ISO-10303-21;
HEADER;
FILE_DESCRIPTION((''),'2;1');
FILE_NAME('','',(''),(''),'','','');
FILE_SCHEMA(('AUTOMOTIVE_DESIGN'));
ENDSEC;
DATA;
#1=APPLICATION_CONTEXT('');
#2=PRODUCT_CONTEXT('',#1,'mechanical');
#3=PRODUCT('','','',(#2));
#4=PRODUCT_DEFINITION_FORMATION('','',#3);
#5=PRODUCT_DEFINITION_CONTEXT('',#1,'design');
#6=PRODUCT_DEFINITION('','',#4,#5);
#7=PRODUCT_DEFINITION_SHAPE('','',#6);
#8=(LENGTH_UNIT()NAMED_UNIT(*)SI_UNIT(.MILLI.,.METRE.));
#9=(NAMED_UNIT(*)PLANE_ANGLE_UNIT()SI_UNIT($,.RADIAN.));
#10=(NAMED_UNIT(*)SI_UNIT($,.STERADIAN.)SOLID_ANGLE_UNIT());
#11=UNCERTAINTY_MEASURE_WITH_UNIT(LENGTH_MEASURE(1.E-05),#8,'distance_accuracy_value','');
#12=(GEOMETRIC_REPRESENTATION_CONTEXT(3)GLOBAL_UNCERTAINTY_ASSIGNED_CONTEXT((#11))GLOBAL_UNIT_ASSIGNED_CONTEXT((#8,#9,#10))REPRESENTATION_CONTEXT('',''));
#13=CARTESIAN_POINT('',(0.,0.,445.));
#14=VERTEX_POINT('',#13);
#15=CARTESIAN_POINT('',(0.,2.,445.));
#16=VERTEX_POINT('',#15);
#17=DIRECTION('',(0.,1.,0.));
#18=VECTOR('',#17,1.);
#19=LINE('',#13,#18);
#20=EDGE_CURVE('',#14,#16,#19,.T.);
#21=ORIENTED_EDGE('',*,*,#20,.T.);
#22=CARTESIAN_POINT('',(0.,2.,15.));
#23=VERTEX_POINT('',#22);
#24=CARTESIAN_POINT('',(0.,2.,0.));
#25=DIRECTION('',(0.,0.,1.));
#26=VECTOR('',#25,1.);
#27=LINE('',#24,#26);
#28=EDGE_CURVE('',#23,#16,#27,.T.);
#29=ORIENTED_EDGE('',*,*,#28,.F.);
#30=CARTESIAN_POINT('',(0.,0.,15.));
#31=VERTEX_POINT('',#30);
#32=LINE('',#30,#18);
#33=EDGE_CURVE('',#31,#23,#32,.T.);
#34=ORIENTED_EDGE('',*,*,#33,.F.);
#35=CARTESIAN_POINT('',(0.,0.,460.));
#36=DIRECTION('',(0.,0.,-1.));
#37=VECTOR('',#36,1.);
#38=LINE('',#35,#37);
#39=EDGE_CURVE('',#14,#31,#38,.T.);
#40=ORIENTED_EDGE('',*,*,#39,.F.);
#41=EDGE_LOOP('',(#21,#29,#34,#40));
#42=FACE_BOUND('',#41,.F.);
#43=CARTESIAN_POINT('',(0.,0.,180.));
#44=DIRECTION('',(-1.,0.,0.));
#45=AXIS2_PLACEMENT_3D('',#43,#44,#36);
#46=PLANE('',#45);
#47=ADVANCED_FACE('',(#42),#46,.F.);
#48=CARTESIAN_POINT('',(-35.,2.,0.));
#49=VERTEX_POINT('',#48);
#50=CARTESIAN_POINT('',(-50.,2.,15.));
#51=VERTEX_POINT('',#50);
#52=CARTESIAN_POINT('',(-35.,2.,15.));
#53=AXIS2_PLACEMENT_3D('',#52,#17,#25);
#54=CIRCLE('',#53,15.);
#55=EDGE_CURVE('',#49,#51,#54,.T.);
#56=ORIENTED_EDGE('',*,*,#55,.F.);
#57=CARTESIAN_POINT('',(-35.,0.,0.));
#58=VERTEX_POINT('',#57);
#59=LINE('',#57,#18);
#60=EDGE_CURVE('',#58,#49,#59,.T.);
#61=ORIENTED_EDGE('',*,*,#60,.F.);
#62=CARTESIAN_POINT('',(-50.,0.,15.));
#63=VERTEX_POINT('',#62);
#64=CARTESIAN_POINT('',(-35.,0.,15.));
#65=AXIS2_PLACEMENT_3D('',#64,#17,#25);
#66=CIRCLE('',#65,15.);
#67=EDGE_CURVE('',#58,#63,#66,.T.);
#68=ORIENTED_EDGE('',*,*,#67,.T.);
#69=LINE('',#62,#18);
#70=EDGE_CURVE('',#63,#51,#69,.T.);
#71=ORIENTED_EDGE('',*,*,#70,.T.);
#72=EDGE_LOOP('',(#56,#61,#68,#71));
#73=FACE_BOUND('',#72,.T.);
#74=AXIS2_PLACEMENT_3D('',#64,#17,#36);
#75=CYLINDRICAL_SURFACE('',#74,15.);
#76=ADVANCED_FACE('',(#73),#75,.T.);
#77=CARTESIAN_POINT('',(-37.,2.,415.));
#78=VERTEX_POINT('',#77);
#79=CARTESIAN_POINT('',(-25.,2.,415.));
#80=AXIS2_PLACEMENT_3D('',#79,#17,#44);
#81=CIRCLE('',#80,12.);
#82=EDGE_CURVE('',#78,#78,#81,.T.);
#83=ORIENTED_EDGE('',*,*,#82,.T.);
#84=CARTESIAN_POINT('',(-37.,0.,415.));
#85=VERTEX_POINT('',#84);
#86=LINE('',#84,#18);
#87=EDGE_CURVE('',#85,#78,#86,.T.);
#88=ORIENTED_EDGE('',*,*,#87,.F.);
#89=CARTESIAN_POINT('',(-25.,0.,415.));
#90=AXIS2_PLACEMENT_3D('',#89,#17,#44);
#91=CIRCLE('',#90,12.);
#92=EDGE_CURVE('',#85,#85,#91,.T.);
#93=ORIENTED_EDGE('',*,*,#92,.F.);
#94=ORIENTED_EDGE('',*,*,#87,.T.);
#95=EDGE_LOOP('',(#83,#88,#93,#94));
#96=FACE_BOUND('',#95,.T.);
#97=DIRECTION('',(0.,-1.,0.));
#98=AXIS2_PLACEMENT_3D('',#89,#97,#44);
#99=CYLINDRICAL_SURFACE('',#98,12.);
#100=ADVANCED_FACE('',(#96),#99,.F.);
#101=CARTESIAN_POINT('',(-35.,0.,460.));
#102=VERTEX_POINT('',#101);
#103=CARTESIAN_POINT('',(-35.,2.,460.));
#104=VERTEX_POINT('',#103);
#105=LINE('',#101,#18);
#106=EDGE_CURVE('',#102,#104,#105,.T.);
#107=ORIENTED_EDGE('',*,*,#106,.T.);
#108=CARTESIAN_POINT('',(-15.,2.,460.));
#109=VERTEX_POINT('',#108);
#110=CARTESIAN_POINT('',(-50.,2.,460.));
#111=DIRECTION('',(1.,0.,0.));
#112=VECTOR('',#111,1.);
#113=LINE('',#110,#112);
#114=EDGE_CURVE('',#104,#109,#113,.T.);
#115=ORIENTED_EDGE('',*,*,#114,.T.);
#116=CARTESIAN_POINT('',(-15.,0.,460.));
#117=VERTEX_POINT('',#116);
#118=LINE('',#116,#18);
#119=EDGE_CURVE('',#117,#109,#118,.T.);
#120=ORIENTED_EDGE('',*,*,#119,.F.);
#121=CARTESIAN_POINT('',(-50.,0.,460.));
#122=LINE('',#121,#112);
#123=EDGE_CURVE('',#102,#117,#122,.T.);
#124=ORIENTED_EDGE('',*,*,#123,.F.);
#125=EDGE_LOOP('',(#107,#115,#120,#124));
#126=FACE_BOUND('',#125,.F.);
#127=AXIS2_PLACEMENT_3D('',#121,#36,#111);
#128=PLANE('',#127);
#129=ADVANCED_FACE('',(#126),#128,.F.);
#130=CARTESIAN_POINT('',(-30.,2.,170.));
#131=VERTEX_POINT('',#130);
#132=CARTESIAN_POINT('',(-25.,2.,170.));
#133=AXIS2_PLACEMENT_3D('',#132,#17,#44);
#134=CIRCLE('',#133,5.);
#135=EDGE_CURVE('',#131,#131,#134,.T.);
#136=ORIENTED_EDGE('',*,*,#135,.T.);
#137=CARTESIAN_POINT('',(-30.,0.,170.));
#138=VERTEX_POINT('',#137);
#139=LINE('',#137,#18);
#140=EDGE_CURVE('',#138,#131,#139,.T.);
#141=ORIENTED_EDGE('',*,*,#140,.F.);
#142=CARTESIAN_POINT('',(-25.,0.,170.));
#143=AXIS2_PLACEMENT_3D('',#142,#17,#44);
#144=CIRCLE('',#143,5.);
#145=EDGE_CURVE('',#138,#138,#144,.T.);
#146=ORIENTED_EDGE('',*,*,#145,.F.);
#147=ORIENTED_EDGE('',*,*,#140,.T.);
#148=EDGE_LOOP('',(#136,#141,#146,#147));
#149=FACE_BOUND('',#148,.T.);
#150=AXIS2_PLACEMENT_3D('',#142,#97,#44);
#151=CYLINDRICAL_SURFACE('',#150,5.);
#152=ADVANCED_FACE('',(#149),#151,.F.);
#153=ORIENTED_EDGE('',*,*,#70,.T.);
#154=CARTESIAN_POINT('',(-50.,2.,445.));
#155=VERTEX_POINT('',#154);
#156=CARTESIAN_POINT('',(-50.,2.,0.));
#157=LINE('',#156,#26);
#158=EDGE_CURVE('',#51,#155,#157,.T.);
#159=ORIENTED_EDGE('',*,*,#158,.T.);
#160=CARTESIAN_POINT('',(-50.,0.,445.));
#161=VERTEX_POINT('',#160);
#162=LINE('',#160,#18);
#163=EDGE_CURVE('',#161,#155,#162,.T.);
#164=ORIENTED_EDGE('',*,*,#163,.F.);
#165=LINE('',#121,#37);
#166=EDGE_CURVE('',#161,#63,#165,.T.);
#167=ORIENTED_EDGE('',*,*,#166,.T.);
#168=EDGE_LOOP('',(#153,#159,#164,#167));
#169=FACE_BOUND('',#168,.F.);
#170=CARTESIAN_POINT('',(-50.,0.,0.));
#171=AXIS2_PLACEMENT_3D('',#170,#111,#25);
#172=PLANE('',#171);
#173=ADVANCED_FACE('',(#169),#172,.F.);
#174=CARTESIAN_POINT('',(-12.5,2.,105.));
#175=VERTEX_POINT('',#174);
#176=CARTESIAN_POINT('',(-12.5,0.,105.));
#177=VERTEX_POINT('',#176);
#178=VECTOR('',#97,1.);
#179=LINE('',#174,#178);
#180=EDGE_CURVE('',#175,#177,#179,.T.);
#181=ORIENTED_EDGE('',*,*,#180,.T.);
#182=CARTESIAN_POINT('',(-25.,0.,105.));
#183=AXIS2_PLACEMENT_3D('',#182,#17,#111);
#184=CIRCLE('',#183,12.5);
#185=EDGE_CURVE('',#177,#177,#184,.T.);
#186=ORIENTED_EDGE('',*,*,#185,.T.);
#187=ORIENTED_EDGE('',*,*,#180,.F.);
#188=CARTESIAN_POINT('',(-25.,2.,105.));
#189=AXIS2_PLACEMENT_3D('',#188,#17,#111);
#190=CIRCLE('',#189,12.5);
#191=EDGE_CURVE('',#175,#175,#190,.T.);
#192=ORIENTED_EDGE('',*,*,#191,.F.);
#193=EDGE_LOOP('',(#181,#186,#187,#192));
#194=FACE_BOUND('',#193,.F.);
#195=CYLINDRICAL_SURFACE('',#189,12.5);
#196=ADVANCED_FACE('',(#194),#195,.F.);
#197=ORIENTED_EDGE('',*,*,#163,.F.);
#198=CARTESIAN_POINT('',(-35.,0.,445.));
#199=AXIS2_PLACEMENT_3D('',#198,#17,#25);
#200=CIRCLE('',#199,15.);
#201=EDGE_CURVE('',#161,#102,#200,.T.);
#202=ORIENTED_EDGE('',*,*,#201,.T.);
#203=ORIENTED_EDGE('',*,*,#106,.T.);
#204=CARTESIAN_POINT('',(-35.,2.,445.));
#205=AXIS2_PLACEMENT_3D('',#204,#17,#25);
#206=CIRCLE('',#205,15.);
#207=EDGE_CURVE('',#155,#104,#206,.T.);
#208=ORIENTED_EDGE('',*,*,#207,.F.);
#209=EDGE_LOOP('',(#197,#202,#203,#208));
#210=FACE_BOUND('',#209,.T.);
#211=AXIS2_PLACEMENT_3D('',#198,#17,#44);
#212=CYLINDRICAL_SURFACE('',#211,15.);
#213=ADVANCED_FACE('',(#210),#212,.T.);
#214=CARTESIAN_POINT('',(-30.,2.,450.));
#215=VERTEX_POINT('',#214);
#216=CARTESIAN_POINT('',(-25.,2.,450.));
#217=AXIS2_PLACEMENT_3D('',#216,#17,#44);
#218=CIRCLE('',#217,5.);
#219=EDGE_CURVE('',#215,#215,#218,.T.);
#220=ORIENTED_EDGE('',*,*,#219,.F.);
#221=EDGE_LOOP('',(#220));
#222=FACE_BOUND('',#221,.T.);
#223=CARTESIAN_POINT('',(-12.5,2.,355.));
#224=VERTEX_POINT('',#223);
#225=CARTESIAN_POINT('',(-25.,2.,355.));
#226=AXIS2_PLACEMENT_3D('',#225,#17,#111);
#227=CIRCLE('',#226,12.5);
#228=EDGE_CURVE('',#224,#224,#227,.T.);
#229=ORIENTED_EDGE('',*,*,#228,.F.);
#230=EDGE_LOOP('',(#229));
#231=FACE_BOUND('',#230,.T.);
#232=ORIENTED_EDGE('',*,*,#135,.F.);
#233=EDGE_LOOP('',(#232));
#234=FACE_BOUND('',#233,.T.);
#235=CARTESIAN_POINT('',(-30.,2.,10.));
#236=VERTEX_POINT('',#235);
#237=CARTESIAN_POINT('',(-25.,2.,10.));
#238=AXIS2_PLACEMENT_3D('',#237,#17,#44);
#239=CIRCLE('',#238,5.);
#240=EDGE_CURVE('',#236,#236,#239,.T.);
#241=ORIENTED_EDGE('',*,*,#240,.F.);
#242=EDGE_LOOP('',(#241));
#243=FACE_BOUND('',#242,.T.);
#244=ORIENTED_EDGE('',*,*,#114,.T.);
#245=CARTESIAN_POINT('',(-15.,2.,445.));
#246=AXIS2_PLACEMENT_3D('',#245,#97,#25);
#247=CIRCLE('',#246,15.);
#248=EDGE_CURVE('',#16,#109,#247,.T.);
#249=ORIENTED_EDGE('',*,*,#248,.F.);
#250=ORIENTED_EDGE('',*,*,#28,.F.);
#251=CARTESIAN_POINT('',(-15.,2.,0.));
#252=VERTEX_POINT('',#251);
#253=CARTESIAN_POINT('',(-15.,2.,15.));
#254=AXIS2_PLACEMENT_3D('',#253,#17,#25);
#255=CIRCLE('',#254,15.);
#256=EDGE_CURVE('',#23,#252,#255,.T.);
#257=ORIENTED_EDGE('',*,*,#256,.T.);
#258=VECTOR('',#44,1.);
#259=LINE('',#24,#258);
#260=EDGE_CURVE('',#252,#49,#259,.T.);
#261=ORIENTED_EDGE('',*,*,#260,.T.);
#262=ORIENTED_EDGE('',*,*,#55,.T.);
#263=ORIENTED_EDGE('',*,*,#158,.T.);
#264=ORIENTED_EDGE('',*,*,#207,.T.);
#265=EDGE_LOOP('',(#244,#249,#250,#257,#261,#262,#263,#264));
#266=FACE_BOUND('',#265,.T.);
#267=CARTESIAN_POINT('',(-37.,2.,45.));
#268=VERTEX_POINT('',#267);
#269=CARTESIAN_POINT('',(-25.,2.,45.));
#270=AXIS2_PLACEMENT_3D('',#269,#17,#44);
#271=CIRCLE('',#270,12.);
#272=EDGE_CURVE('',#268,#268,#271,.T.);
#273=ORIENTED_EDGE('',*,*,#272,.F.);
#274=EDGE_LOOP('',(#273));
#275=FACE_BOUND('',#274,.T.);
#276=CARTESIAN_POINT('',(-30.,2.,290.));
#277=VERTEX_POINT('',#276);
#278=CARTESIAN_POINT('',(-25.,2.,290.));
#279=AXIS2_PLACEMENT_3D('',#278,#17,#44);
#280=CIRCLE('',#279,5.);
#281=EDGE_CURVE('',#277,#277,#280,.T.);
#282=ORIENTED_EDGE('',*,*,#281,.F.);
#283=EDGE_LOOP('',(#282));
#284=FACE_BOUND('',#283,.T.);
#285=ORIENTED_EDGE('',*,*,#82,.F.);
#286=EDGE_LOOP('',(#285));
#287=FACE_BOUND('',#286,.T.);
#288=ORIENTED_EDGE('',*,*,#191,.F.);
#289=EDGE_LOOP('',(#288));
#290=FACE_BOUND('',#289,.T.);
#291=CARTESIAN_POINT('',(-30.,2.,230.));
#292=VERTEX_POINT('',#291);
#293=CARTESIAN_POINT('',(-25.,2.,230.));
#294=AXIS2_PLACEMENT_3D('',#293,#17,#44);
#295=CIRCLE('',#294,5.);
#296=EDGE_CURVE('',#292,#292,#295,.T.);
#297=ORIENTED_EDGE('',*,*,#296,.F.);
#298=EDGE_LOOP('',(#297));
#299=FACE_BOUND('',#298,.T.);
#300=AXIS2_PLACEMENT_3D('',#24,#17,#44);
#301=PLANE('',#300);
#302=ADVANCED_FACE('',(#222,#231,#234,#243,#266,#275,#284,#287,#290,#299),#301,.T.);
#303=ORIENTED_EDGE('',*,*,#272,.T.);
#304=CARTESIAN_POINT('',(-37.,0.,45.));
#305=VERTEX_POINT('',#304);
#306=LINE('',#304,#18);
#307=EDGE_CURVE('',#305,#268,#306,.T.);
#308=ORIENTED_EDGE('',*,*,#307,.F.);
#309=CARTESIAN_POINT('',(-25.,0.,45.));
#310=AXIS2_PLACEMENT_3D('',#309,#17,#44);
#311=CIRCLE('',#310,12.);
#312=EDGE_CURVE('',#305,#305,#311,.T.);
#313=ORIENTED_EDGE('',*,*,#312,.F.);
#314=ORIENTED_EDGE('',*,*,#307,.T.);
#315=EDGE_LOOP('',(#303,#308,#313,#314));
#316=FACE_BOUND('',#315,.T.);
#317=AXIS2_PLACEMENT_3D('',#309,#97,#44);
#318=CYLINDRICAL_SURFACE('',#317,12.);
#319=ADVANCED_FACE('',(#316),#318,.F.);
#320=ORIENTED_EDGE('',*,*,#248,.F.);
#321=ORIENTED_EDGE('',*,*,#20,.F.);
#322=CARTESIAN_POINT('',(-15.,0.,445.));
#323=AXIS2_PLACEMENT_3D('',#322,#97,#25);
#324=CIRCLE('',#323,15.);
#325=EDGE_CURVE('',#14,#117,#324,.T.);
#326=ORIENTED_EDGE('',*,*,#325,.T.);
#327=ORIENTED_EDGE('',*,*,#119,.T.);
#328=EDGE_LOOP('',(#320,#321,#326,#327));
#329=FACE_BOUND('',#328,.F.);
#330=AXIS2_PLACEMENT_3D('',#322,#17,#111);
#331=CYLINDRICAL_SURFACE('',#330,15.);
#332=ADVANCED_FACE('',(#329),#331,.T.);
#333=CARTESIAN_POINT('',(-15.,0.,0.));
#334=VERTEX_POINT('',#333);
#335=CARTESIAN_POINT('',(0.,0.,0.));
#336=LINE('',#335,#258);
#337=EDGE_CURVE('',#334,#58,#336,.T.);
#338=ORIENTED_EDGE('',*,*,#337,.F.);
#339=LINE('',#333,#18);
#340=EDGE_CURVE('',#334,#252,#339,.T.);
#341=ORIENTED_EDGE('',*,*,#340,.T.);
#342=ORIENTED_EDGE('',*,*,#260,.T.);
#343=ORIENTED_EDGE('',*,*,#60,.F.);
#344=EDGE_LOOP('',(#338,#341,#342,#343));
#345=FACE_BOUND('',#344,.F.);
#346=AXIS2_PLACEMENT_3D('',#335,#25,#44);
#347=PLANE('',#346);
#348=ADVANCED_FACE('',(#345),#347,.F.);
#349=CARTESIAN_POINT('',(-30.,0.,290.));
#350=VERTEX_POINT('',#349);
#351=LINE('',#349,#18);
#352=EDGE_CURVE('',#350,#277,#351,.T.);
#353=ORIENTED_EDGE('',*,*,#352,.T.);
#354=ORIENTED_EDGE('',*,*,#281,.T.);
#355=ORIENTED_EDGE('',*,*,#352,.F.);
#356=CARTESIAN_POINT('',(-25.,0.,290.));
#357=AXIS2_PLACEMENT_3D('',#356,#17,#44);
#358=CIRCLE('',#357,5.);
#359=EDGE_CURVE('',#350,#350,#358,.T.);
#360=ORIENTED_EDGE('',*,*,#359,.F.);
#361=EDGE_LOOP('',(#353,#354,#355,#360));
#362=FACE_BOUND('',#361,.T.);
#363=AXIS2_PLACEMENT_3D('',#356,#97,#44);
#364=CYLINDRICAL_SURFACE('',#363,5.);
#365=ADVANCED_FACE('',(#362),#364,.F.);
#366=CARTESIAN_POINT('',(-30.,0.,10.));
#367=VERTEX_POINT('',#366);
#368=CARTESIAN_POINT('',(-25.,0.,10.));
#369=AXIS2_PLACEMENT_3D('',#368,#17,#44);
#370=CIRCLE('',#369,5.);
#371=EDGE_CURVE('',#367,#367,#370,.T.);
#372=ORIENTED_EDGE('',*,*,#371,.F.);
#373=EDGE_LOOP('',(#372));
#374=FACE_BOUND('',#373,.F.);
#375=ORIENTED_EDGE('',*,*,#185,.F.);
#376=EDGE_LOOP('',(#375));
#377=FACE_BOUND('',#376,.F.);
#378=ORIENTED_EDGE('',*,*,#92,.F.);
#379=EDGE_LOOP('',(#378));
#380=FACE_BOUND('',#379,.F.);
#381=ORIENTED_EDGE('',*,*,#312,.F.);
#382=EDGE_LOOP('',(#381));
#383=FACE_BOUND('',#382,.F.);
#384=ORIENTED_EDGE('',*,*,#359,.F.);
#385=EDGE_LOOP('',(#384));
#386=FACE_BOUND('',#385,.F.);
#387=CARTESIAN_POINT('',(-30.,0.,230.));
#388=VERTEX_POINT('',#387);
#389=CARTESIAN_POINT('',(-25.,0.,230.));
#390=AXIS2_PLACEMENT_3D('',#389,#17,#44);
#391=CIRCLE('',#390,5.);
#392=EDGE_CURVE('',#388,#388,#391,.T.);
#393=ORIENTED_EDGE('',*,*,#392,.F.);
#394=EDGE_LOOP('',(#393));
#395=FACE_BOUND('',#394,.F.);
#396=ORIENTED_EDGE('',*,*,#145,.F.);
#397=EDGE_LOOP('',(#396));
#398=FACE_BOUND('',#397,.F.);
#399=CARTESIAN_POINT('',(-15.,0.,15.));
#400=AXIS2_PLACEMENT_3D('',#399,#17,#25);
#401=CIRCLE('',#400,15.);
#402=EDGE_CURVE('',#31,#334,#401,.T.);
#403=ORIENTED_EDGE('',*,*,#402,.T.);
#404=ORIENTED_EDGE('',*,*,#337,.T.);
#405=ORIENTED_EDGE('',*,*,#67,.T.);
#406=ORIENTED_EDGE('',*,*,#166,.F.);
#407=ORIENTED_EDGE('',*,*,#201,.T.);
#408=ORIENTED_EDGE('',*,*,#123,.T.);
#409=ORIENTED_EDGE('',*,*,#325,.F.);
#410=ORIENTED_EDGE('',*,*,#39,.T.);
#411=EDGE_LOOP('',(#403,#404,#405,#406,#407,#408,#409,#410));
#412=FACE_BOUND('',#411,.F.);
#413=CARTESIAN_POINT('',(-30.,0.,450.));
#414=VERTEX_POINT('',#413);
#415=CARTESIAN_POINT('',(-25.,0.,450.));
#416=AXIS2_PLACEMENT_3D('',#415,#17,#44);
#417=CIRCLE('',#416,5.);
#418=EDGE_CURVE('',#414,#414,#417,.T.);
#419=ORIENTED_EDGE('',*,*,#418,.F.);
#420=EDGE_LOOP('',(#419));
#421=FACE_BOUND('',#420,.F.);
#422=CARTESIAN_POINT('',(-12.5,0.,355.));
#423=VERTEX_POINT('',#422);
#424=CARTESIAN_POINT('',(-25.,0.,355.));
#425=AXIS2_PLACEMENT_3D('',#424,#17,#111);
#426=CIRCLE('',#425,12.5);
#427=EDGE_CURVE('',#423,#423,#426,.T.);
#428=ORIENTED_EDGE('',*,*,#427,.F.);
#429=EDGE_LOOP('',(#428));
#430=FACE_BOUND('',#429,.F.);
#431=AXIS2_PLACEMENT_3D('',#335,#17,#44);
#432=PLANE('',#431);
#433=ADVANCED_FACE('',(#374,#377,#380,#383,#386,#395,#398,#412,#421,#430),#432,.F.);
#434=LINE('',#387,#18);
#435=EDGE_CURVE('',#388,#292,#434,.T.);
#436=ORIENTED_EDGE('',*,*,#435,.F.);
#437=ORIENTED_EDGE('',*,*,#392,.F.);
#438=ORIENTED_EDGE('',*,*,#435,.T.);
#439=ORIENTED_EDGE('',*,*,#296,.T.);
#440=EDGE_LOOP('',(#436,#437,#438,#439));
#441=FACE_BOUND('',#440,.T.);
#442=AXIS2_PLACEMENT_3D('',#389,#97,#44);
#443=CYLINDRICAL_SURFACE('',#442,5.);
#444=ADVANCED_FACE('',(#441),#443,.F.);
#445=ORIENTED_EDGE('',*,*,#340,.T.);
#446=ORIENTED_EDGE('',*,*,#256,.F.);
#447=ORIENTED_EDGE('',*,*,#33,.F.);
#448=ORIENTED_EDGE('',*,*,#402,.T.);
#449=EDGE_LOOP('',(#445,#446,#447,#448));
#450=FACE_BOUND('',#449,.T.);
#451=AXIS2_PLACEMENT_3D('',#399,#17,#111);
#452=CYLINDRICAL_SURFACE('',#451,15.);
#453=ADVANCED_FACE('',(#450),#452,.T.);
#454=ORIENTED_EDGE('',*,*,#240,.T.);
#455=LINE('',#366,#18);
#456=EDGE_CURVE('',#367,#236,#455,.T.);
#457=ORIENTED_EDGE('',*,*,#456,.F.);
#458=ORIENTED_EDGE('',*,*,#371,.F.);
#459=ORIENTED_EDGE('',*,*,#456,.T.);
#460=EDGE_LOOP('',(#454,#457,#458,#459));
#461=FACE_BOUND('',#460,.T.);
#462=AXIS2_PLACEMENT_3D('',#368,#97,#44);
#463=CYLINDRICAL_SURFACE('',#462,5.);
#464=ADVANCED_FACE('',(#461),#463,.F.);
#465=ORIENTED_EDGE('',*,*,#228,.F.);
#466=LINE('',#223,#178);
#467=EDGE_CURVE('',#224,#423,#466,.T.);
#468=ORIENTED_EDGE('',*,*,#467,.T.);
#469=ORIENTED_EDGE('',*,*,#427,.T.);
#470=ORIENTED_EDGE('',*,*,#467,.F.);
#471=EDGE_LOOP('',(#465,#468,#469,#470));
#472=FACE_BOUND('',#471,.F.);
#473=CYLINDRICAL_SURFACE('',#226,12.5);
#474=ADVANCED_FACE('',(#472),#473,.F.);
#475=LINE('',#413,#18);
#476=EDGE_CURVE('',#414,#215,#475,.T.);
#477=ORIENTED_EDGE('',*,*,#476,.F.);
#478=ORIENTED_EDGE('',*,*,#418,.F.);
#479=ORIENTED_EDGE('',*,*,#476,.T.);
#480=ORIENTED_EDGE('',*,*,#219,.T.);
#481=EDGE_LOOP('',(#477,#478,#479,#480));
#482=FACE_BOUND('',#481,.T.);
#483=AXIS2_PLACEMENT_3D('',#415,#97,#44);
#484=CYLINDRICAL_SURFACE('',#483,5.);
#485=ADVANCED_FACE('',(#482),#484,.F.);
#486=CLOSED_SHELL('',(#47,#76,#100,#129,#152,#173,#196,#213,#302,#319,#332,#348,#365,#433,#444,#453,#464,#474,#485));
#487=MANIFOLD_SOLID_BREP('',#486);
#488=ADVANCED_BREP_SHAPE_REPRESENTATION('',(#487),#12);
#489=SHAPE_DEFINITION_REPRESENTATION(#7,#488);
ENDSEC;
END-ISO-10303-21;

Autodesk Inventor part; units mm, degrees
ref_plane "YZ Plane" through (0, 0, 0) normal (1, 0, 0) x (0, 1, 0)
ref_plane "XZ Plane" through (0, 0, 0) normal (0, 1, 0) x (-1, 0, 0)
ref_plane "XY Plane" through (0, 0, 0) normal (0, 0, 1) x (1, 0, 0)
sketch "Sketch1" plane through (0, 0, 0) normal (0, 1, 0) x (-1, 0, 0)
  line L0 (0, 0) -> (50, 0)
  line L1 (50, 0) -> (50, 460)
  line L2 (50, 460) -> (0, 460)
  line L3 (0, 460) -> (0, 0)
  circle A0 centre (25, 415) radius 12
  circle A1 centre (25, 45) radius 12
  circle A2 centre (25, 450) radius 5
  circle A3 centre (25, 10) radius 5
  line L4 (50, 280) -> (0, 280)
  line L5 (0, 280) -> (0, 180)
  line L6 (0, 180) -> (50, 180)
  line L7 (50, 180) -> (50, 280)
  circle A4 centre (25, 170) radius 5
  circle A5 centre (25, 290) radius 5
  circle A6 centre (25, 230) radius 5
  dimension "d0" = 50
  dimension "d1" = 460
  dimension "d2" = 45
  dimension "d3" = 24
  dimension "d4" = 45
  dimension "d5" = 10
  dimension "d6" = 10
  dimension "d7" = 10
  dimension "d8" = 10
  dimension "d9" = 25
  dimension "d10" = 25
  dimension "d11" = 25
  dimension "d12" = 25
  dimension "d15" = 50
  dimension "d16" = 100
  dimension "d17" = 180
  dimension "d18" = 10
  dimension "d20" = 10
  dimension "d21" = 10
  dimension "d22" = 25
  dimension "d23" = 25
  dimension "d24" = 10
  dimension "d27" = 10
  dimension "d28" = 25
  dimension "d29" = 50
extrude "Plate3" add sketch "Sketch1" along normal blind 2
fillet "Fillet3" radius 15 4 edges at (0, 1, 460) (-50, 1, 460) (0, 1, 0) (-50, 1, 0)
sketch "Sketch3" plane through (0, 2, 0) normal (0, 1, 0) x (1, 0, 0)
  circle A0 centre (-25, -105) radius 12.5
  circle A1 centre (-25, -45) radius 12 projected
  circle A2 centre (-25, -355) radius 12.5
  circle A3 centre (-25, -415) radius 12 projected
  point P0 (0, 0)
  dimension "d36" = 25
  dimension "d37" = 60
  dimension "d38" = 25
  dimension "d42" = 60
extrude "Extrusion1" cut sketch "Sketch3" against normal blind 10 contours A0 | A2
equation "\"d30\" = Thickness"
equation "\"BendRadius\" = Thickness"
equation "\"BendReliefWidth\" = Thickness"
equation "\"BendReliefDepth\" = 0.5 * Thickness"
equation "\"CornerReliefSize\" = 4 * Thickness"
equation "\"MinimumRemnant\" = 2 * Thickness"
equation "\"TransitionRadius\" = BendRadius"
equation "\"JacobiRadiusSize\" = BendRadius"
equation "\"GapSize\" = Thickness"
equation "\"Thickness\" = 2"
properties part number "chassisPart1"
